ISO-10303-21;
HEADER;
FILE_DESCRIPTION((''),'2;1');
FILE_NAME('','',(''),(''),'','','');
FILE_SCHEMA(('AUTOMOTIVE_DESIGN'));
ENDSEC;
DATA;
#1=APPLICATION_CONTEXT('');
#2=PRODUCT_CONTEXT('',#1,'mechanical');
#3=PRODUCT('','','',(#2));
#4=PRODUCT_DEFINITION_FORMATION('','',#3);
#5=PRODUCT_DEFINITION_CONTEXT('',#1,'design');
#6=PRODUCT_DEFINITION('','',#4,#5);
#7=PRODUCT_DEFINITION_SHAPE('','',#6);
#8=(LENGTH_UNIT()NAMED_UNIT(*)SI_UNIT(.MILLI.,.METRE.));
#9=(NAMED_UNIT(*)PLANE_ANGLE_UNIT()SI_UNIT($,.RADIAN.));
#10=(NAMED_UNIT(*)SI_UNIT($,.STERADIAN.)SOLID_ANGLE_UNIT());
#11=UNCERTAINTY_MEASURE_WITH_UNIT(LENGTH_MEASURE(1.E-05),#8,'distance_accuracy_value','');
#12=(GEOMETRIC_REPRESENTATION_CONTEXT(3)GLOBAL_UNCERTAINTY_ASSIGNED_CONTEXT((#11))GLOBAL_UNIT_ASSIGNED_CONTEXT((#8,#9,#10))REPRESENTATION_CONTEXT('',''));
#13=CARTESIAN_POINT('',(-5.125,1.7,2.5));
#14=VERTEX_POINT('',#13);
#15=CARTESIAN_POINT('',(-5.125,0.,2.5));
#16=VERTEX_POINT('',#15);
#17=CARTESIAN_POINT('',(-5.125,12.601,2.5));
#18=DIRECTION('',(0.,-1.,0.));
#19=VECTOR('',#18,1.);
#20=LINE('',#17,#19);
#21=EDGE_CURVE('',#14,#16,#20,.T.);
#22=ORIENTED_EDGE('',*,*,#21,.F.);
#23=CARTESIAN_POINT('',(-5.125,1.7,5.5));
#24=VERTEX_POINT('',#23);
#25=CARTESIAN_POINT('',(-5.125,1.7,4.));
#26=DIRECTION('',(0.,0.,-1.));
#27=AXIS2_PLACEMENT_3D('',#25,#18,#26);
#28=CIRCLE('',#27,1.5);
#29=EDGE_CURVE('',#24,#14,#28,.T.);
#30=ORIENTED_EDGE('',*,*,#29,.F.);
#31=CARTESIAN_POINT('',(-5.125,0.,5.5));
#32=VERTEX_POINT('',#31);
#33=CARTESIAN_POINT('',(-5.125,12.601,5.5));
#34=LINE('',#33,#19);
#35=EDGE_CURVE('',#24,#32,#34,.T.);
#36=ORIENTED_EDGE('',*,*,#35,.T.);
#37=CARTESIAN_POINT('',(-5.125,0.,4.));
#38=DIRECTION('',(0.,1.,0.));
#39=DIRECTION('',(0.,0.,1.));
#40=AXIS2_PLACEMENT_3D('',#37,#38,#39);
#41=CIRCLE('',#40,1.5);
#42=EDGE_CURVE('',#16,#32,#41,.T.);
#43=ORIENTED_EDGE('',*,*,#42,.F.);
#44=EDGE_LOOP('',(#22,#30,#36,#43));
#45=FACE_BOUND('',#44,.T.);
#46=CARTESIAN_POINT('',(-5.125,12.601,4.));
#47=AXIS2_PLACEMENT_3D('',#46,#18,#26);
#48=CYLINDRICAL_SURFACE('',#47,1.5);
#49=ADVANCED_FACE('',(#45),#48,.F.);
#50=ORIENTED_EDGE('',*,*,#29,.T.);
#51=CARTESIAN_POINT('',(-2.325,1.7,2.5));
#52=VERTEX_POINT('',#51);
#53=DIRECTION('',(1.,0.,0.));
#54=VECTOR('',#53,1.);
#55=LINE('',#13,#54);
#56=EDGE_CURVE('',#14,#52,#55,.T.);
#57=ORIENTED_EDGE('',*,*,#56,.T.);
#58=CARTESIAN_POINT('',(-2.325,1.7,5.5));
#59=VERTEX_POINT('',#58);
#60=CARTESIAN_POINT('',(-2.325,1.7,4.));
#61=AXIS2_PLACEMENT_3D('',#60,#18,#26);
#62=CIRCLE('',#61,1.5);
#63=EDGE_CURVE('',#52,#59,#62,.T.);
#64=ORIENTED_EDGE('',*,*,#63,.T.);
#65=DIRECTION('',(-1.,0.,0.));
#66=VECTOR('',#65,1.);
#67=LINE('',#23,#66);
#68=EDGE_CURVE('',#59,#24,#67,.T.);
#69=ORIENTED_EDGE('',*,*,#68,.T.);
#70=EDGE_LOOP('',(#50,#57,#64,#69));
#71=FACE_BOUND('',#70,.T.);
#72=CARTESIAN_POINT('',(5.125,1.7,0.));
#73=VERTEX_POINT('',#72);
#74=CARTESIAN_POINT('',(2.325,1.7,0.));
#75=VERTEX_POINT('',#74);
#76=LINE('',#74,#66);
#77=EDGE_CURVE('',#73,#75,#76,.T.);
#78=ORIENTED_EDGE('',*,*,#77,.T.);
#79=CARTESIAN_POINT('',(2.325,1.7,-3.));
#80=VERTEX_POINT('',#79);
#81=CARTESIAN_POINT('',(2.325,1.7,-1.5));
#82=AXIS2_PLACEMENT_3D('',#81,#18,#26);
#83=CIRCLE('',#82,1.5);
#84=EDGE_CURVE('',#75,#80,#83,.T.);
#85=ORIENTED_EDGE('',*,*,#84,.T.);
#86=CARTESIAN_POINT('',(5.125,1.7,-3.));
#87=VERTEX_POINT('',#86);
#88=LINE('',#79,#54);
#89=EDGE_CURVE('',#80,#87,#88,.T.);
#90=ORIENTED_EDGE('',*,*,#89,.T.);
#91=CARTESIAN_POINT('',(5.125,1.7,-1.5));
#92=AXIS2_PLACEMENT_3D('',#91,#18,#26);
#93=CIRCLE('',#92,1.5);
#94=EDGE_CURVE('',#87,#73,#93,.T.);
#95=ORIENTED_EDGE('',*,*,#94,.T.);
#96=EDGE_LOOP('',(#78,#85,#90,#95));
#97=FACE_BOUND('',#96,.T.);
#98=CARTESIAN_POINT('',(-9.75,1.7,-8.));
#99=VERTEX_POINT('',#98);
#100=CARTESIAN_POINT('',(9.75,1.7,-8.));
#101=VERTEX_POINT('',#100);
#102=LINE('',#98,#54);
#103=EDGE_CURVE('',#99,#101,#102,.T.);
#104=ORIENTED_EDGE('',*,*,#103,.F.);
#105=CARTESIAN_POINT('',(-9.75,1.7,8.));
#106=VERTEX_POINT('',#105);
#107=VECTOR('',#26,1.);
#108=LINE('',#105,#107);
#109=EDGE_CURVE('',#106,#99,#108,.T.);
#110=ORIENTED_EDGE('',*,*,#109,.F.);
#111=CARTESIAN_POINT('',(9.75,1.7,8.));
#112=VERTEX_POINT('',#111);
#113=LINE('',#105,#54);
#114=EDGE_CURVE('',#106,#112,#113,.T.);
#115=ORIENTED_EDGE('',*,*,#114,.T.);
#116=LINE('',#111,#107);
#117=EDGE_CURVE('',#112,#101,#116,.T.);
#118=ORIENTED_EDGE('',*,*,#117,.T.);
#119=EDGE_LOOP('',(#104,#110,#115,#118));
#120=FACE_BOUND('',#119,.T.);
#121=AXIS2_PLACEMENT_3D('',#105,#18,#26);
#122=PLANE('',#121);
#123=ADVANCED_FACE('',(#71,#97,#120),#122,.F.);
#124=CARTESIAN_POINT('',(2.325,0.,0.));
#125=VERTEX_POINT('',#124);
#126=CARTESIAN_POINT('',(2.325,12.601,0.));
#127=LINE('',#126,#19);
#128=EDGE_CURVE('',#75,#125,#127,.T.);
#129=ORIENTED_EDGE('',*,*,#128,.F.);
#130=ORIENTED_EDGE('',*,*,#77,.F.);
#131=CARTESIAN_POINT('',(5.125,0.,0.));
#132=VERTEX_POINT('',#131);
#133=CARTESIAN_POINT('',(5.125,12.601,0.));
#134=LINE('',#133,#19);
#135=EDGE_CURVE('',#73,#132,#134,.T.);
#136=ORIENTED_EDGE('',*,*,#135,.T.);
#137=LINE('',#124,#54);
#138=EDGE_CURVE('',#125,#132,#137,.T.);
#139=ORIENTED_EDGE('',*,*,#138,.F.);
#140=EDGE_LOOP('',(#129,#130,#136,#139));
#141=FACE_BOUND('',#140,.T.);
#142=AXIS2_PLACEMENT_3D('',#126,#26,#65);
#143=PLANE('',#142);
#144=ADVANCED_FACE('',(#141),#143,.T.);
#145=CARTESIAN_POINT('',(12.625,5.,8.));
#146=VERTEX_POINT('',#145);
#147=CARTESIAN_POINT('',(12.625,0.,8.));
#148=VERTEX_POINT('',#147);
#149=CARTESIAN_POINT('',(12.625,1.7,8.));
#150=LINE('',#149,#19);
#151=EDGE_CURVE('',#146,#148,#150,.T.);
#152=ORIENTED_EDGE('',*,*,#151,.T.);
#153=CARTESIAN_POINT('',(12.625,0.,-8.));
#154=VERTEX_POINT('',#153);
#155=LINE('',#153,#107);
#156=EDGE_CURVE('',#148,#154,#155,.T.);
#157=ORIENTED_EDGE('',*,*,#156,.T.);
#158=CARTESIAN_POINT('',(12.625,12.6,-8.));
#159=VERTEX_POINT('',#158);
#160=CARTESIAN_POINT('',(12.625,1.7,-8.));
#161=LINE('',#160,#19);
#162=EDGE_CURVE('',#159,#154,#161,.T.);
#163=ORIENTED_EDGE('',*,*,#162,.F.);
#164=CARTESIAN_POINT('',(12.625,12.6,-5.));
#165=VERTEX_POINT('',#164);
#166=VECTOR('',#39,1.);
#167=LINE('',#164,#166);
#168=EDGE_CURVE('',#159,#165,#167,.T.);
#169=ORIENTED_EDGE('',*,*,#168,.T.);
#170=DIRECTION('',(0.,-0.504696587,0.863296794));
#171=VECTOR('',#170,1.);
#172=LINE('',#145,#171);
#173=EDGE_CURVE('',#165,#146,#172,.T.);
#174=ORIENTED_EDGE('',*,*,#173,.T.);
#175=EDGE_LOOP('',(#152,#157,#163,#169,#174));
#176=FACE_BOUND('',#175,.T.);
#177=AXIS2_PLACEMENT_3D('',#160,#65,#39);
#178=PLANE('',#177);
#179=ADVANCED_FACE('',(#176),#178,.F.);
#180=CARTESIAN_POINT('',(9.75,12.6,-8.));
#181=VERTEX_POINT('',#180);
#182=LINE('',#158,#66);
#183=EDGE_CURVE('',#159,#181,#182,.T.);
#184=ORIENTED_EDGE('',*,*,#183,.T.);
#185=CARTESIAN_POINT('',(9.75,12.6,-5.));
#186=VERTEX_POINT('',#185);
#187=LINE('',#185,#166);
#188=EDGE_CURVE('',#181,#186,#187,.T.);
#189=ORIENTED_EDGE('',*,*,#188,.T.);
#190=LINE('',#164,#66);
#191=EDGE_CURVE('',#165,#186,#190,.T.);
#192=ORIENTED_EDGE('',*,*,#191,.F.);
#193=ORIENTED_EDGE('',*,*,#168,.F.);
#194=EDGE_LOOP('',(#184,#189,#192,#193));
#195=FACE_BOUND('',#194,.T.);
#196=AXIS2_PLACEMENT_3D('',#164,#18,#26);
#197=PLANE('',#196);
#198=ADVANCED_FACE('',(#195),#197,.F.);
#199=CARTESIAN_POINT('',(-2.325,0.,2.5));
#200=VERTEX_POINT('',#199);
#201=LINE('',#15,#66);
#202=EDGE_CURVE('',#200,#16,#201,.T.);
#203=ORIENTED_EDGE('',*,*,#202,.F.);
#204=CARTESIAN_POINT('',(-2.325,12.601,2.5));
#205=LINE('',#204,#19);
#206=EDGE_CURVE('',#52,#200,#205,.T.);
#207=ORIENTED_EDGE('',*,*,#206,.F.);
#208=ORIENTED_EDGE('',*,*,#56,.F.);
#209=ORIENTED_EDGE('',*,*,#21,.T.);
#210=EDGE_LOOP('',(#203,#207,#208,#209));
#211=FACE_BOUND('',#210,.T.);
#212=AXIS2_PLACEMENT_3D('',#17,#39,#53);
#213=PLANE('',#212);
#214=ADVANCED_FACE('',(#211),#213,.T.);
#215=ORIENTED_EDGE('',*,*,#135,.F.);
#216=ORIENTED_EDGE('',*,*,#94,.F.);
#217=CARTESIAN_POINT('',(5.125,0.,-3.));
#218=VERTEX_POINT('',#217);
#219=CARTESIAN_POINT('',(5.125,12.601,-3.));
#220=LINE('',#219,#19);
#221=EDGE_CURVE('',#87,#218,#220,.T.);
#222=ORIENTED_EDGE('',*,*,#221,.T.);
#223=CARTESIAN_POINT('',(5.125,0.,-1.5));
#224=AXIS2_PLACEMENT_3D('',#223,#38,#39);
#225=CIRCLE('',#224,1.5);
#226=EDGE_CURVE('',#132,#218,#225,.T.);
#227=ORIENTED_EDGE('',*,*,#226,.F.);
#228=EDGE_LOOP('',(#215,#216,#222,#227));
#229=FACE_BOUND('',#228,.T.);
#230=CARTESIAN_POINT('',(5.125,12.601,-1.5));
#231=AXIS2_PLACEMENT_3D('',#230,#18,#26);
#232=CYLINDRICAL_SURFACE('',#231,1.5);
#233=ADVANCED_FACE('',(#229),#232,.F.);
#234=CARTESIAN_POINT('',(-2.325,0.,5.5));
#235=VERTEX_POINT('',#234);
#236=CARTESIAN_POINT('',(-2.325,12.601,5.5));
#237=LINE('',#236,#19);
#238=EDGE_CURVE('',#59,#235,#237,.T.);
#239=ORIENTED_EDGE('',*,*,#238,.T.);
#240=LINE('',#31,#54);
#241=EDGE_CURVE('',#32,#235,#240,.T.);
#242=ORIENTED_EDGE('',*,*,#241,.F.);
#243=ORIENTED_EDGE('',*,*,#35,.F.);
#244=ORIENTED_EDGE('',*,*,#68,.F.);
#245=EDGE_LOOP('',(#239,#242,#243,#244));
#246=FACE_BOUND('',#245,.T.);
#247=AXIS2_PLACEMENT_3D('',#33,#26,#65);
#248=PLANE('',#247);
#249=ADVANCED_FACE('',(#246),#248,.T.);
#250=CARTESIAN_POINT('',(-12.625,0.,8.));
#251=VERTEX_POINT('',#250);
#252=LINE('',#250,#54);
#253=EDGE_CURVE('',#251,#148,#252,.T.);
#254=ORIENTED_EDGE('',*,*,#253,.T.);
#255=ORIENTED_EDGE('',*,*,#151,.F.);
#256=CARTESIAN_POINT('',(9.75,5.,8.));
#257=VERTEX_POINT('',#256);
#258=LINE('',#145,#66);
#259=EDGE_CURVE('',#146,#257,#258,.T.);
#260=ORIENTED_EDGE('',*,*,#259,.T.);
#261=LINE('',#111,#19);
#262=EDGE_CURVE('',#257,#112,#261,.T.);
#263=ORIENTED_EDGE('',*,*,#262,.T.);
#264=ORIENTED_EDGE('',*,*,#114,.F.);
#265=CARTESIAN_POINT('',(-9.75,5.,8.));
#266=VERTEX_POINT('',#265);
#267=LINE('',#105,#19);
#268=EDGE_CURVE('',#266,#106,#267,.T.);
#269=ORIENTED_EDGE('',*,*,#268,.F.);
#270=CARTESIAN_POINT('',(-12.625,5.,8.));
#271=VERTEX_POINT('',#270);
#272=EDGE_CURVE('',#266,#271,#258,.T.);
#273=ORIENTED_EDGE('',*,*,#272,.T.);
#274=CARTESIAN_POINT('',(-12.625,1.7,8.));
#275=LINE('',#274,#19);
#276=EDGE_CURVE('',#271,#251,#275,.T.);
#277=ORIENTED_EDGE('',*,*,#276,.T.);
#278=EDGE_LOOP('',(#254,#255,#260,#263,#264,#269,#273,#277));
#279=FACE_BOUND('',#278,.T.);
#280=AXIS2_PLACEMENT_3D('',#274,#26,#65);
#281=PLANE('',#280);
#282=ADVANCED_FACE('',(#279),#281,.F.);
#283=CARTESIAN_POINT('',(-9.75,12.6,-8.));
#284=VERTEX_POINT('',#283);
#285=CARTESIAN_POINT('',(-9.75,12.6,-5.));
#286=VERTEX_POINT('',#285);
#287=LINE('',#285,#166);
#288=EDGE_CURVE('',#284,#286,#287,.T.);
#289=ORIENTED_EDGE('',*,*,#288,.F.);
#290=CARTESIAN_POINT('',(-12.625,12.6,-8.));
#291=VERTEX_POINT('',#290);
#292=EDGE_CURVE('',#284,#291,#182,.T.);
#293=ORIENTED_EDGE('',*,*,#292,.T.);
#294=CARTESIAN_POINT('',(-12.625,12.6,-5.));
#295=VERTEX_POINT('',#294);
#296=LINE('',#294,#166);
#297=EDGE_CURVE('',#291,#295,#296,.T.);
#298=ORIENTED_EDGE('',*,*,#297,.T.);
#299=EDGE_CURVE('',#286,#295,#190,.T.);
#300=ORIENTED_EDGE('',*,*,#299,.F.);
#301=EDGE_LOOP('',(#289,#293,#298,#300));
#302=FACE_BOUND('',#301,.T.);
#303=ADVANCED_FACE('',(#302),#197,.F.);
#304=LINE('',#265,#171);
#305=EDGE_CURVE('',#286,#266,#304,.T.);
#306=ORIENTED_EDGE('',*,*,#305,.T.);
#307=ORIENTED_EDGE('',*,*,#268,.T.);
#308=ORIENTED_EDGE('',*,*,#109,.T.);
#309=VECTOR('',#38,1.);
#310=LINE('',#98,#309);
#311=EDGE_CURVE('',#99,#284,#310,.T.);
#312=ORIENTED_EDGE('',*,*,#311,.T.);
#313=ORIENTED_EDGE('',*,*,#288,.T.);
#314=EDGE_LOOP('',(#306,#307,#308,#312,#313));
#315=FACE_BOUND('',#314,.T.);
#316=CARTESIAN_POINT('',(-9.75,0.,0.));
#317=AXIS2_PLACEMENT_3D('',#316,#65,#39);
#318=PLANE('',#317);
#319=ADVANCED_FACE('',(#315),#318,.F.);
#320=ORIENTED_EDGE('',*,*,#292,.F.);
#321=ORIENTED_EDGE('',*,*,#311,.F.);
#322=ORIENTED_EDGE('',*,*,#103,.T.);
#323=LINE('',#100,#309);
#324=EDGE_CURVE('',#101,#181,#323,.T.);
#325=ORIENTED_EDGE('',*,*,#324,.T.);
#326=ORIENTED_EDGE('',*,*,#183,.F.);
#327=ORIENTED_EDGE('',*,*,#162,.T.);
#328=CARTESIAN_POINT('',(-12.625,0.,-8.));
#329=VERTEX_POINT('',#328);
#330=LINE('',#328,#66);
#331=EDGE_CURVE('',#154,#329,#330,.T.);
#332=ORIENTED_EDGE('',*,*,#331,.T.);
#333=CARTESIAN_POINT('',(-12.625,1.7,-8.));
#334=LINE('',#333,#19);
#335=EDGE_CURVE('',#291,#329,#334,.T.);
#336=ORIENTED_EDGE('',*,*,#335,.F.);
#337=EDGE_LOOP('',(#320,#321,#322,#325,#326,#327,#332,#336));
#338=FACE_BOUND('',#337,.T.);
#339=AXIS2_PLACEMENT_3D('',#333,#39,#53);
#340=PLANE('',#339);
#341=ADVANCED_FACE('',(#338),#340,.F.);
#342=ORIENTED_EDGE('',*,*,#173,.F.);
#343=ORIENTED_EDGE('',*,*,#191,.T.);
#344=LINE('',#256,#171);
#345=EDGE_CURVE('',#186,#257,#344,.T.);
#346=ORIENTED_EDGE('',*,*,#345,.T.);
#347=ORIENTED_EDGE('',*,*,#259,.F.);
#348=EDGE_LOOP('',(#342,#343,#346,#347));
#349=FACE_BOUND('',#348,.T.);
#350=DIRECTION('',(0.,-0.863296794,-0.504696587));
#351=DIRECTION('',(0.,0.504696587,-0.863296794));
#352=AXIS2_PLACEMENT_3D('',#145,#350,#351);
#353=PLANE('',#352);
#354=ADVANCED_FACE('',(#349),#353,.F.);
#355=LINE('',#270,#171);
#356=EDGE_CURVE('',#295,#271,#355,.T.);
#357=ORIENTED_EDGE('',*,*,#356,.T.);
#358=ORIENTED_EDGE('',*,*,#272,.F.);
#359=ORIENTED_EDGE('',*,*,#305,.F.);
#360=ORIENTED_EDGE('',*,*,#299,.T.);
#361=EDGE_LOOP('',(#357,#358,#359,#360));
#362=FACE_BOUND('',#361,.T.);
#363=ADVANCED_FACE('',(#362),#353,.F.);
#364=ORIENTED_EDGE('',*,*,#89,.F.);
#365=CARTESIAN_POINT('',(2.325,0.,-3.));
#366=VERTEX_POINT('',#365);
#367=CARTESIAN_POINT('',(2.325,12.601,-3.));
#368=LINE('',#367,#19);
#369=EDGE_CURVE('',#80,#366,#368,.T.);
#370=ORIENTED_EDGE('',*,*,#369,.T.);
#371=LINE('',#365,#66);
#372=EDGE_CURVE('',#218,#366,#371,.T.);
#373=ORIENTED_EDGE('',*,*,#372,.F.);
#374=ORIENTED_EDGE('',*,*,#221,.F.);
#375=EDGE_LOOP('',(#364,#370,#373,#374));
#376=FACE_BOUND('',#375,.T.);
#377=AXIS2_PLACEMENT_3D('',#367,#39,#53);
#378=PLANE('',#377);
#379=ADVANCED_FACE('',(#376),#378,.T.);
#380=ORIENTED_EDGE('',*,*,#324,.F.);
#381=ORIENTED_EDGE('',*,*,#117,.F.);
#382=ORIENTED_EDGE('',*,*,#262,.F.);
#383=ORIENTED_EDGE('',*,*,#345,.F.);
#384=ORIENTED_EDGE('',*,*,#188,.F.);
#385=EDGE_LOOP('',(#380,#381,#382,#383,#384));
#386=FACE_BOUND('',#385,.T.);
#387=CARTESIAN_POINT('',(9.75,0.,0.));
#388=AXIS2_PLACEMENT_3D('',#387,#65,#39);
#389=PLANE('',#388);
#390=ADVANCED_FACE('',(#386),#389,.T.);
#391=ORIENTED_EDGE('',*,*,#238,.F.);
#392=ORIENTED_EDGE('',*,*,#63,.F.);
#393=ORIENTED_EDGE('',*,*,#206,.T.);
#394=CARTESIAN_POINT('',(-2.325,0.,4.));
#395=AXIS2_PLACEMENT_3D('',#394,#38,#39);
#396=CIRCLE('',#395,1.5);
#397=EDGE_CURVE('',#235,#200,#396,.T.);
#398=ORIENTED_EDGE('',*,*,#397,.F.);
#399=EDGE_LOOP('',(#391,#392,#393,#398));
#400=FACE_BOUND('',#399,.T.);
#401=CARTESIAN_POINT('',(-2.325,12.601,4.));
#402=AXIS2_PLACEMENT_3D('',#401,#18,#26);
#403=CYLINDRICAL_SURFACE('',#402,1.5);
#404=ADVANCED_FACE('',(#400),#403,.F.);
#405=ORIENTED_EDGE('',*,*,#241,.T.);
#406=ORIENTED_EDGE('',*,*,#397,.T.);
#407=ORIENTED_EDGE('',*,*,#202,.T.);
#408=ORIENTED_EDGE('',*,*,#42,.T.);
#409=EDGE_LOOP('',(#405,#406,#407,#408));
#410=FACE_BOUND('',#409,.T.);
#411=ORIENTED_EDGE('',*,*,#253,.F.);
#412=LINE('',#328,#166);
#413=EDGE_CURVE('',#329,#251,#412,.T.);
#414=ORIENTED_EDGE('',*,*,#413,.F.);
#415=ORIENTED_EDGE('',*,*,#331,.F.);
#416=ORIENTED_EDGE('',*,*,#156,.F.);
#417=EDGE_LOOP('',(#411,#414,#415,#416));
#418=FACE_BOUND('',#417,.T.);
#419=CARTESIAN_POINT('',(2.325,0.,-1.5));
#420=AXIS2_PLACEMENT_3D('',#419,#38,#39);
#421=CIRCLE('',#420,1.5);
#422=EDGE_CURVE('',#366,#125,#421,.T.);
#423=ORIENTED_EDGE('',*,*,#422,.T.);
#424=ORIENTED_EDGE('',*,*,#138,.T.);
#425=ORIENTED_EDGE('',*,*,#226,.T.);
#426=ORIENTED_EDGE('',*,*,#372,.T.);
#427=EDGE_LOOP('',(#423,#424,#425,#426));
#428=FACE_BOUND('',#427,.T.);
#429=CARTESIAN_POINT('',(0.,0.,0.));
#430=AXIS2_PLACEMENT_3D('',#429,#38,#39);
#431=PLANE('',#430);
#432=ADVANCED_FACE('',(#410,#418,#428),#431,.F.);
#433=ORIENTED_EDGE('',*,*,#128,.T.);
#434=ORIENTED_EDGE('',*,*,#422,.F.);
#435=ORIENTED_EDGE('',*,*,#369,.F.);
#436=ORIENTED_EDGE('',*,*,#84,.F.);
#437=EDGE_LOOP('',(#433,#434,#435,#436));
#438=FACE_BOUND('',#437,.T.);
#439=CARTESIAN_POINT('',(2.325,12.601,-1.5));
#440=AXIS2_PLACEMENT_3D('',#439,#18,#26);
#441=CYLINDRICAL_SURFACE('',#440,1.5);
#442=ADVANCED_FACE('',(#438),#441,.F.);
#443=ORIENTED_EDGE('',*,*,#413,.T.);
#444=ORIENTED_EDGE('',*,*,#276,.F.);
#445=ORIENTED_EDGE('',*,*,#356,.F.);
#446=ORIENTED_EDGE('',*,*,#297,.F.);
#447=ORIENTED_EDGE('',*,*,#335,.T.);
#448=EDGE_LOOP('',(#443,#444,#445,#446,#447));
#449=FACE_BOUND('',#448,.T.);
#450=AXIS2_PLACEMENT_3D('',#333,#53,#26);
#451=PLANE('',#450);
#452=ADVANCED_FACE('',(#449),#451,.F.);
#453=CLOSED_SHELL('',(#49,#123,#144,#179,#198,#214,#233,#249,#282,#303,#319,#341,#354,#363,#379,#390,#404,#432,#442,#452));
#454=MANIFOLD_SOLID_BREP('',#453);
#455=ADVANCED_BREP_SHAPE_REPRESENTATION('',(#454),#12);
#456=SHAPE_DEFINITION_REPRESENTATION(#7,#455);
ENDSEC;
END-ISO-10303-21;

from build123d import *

# Parameters (mm, degrees)
SKETCH1_W           = 25.25
SKETCH1_H           = 16
BOSS_EXTRUDE1_DEPTH = 1.7
BOSS_EXTRUDE3_DEPTH = 12.625
CUT_EXTRUDE7_DEPTH  = 9.75
CUT_EXTRUDE8_REACH  = 21.549


with BuildPart() as part:
    # Sketch1 → Boss-Extrude1 (new body)
    with BuildSketch(Plane(origin=(0, 0, 0), x_dir=(1, 0, 0), z_dir=(0, 1, 0))):
        Rectangle(SKETCH1_W, SKETCH1_H)
    extrude(amount=BOSS_EXTRUDE1_DEPTH)

    # Sketch5 → Boss-Extrude3 (add, symmetric)
    with BuildSketch(Plane(origin=(0, 0, 0), x_dir=(0, 0, -1), z_dir=(1, 0, 0))):
        Polygon((-8, 1.7), (8, 1.7), (8, 12.6), (5, 12.6), (-8, 5), align=None)
    extrude(amount=BOSS_EXTRUDE3_DEPTH, both=True)

    # Sketch5<2> → Cut-Extrude7 (cut, symmetric)
    with BuildSketch(Plane(origin=(0, 0, 0), x_dir=(0, 0, -1), z_dir=(1, 0, 0))):
        Polygon((-8, 1.7), (8, 1.7), (8, 12.6), (5, 12.6), (-8, 5), align=None)
    extrude(amount=CUT_EXTRUDE7_DEPTH, both=True, mode=Mode.SUBTRACT)

    # Sketch6 → Cut-Extrude8 (cut, up to next)
    with BuildSketch(Plane(origin=(0, 0, 0), x_dir=(1, 0, 0), z_dir=(0, 1, 0)), mode=Mode.PRIVATE) as cut_extrude8_sk1:
        with BuildLine():
            Line((-5.125, -2.5), (-2.325, -2.5))
            ThreePointArc((-2.325, -2.5), (-0.825, -4), (-2.325, -5.5))
            Line((-2.325, -5.5), (-5.125, -5.5))
            ThreePointArc((-5.125, -5.5), (-6.625, -4), (-5.125, -2.5))
        make_face()
    cut_extrude8_tool1 = extrude(cut_extrude8_sk1.sketch, amount=CUT_EXTRUDE8_REACH, mode=Mode.PRIVATE) & part.part
    # Sketch6 → Cut-Extrude8 (cut, up to next)
    with BuildSketch(Plane(origin=(0, 0, 0), x_dir=(1, 0, 0), z_dir=(0, 1, 0)), mode=Mode.PRIVATE) as cut_extrude8_sk2:
        with BuildLine():
            Line((2.325, 0), (5.125, 0))
            ThreePointArc((5.125, 0), (6.625, 1.5), (5.125, 3))
            Line((5.125, 3), (2.325, 3))
            ThreePointArc((2.325, 3), (0.825, 1.5), (2.325, 0))
        make_face()
    cut_extrude8_tool2 = extrude(cut_extrude8_sk2.sketch, amount=CUT_EXTRUDE8_REACH, mode=Mode.PRIVATE) & part.part
    add(cut_extrude8_tool1.solids().sort_by_distance((-3.725, 0, 4))[0], mode=Mode.SUBTRACT)
    add(cut_extrude8_tool2.solids().sort_by_distance((3.725, 0, -1.5))[0], mode=Mode.SUBTRACT)


solid = part.part
